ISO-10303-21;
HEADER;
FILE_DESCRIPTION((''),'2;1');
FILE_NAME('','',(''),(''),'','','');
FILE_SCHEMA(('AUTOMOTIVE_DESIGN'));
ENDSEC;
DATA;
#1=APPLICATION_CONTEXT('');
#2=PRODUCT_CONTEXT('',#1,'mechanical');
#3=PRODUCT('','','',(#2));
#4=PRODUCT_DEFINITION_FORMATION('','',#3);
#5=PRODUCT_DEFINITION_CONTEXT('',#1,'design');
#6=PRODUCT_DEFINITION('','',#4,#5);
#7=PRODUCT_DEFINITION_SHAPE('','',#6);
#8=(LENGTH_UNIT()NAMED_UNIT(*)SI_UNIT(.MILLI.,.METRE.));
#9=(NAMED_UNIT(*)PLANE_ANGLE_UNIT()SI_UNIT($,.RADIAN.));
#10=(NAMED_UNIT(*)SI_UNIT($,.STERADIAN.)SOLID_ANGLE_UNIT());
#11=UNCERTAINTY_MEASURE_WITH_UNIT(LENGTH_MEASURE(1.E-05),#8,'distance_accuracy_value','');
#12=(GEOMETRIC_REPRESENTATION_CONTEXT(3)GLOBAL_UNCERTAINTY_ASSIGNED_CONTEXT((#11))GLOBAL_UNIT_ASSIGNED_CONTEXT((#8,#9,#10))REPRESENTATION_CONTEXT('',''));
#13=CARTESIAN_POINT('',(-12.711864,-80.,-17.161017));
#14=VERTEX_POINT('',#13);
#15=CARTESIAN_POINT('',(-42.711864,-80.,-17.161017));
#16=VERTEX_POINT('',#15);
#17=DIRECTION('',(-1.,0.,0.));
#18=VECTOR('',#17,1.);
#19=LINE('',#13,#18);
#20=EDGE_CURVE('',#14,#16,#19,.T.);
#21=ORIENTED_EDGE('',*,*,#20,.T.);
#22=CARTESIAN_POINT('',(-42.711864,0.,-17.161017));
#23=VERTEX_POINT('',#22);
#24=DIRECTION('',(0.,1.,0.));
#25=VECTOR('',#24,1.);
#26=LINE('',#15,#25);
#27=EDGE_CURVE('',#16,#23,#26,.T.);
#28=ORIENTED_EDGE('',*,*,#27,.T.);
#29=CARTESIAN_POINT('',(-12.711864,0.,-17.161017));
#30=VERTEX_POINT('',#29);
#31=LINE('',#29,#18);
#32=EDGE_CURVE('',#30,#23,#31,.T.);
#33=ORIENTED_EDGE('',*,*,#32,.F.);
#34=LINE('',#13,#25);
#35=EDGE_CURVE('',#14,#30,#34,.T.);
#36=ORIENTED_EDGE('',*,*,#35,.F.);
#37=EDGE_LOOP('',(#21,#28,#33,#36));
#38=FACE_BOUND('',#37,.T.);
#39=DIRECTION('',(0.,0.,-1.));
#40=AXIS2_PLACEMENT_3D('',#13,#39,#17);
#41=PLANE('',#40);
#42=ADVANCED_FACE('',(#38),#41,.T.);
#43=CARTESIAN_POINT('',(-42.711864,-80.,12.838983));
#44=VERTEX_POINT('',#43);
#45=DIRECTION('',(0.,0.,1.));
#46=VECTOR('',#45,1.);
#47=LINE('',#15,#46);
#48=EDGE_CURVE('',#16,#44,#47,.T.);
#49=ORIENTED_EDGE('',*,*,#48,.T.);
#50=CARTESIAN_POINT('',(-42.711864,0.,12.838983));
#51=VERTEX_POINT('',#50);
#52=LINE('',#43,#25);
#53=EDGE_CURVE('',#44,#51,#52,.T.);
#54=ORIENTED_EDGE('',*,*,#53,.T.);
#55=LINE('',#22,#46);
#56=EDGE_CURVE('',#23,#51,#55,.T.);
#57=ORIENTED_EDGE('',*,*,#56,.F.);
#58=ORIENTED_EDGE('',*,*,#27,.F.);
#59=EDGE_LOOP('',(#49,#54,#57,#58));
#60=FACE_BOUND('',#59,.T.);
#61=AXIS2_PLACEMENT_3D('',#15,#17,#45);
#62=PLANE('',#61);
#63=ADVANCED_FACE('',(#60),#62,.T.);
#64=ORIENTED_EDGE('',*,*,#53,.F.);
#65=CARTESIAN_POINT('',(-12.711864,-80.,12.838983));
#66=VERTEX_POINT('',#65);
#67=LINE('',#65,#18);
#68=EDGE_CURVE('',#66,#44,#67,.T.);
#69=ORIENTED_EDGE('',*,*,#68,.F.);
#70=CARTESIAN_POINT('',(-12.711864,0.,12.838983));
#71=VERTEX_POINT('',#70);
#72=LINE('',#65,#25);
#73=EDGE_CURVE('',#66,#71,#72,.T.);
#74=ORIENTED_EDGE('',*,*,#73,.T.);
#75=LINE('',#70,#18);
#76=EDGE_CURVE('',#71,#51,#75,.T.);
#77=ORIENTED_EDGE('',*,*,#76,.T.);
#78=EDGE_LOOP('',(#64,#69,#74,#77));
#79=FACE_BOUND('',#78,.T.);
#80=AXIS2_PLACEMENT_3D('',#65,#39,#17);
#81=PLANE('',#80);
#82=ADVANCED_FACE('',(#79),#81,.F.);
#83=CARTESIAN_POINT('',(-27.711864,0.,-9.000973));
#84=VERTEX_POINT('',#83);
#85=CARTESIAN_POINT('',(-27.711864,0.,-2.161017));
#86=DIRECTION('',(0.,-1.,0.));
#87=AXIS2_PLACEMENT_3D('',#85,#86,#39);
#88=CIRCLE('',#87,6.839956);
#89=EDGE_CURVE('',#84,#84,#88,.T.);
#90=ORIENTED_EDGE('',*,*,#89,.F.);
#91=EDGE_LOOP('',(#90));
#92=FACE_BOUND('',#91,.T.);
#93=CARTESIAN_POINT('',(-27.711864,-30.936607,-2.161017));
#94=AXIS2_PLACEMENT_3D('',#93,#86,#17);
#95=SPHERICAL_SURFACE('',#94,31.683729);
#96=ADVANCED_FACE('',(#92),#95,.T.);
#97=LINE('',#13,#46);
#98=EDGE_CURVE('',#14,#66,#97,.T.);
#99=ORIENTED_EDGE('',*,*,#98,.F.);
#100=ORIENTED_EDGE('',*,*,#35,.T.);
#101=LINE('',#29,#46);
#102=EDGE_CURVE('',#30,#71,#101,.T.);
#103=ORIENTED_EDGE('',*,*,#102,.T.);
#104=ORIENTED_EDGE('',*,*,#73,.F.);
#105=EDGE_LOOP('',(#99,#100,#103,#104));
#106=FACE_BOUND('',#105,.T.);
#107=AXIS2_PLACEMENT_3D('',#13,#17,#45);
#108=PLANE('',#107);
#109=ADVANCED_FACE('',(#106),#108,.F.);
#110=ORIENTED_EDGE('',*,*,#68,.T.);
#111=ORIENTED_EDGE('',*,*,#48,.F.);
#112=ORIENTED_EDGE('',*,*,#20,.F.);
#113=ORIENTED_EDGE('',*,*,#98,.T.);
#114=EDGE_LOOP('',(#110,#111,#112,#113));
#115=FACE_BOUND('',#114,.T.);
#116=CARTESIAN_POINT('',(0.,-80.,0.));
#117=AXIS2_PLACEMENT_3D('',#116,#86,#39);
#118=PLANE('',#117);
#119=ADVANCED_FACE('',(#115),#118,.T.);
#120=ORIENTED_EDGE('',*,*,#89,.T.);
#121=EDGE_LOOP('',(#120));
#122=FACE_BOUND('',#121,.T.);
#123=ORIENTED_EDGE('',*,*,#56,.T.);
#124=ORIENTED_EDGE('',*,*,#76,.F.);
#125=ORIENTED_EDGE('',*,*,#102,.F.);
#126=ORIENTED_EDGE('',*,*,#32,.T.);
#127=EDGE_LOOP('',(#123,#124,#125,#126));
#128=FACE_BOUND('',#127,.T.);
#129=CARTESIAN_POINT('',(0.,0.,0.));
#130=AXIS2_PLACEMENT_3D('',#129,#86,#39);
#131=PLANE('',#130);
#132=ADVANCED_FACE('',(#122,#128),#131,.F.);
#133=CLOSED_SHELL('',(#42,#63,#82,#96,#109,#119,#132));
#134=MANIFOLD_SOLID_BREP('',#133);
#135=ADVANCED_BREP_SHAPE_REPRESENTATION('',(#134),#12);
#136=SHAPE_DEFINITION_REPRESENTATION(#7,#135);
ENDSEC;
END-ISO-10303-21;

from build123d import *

# Parameters (mm, degrees)
SKETCH1_W           = 30
SKETCH1_H           = 30
BOSS_EXTRUDE1_DEPTH = 80


with BuildPart() as part:
    # Sketch1 → Boss-Extrude1 (new body)
    with BuildSketch(Plane(origin=(0, 0, 0), x_dir=(1, 0, 0), z_dir=(0, 1, 0))):
        with Locations((-27.711864407, 2.161016949)):
            Rectangle(SKETCH1_W, SKETCH1_H)
    extrude(amount=-BOSS_EXTRUDE1_DEPTH)

    # Sketch2 → Revolve4 (revolve)
    with BuildSketch(Plane(origin=(0, 0, -2.161016949), x_dir=(-1, 0, 0), z_dir=(0, 0, -1))):
        with BuildLine():
            Line((27.711864407, 0), (34.551820017, 0))
            ThreePointArc((34.551820017, 0), (31.152183546, 0.559787224), (27.711864407, 0.747121391))
            Line((27.711864407, 0.747121391), (27.711864407, 0))
        make_face()
    revolve(axis=Axis((-27.711864407, -84, -2.161016949), (0, 1, 0)))


solid = part.part
